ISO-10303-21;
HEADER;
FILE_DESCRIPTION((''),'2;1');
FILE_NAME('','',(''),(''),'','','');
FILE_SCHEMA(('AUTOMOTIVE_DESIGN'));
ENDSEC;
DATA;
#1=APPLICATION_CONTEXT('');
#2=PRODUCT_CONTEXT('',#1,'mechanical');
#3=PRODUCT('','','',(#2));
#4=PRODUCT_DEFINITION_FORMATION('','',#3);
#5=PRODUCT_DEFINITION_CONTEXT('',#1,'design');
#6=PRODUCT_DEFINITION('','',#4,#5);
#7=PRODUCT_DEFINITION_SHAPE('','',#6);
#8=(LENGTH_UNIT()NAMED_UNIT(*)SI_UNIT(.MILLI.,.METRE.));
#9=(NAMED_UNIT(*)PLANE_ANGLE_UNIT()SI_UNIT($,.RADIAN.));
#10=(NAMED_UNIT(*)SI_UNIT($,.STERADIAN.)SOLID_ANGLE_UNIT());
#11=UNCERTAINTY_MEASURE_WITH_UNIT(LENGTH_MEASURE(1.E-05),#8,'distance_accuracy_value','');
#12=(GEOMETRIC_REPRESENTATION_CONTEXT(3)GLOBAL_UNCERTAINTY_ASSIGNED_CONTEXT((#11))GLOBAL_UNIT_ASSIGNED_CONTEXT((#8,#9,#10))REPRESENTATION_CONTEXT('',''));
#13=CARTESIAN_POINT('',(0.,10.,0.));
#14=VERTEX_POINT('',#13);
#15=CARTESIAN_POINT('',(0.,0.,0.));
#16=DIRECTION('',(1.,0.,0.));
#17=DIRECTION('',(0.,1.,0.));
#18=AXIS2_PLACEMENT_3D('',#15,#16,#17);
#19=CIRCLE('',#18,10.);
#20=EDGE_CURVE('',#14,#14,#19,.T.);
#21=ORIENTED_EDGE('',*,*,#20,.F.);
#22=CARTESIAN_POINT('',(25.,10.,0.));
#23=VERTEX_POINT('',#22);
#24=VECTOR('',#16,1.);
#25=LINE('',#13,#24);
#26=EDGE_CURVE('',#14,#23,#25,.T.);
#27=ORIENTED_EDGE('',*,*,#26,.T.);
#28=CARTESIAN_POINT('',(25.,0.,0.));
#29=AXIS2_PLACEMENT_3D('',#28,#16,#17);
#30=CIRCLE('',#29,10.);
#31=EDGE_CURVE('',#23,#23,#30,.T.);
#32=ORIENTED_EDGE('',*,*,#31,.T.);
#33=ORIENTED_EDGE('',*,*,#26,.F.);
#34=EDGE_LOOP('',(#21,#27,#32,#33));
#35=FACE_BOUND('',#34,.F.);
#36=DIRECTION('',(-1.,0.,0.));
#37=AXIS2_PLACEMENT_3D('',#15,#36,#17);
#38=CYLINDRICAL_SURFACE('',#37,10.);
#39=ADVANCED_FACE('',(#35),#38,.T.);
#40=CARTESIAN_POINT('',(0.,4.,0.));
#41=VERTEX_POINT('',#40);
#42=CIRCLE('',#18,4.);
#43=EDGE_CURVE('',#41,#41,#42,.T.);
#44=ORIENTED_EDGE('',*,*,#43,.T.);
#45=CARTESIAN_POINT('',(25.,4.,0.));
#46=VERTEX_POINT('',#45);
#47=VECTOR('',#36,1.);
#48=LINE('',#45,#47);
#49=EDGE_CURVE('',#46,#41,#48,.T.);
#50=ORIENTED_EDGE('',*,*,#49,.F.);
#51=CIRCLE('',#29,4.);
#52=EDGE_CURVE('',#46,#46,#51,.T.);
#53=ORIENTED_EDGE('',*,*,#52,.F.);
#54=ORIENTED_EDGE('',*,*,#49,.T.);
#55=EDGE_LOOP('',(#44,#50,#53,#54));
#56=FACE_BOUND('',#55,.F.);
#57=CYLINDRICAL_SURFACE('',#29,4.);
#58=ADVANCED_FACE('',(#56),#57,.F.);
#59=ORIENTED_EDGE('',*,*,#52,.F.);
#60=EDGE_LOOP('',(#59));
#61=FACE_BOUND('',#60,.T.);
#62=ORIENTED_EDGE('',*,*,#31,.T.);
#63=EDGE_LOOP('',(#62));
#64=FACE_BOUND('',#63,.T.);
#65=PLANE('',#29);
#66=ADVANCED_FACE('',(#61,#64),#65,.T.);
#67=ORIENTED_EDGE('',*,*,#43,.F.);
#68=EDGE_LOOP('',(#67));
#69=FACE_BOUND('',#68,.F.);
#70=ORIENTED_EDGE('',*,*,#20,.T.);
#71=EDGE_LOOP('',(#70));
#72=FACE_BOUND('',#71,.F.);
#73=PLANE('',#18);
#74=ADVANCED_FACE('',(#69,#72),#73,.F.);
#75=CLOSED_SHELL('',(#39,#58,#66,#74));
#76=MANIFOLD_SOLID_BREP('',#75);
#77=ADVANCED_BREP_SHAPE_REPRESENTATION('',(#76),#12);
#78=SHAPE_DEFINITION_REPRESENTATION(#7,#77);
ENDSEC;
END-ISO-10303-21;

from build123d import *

# Parameters (mm, degrees)
F0_R     = 10
F1_DEPTH = 25
F4_R     = 4
F5_DEPTH = 25


with BuildPart() as f1:
    # F0 (on Right) → F1 (new body)
    with BuildSketch(Plane.YZ):
        Circle(F0_R)
    extrude(amount=F1_DEPTH)


with BuildPart() as f2_1:
    # F2: copy of F1
    add(f1.part)

    # F4 (on face) → F5 (cut, through all)
    with BuildSketch(Plane.YZ.offset(25)):
        Circle(F4_R)
    extrude(amount=-F5_DEPTH, mode=Mode.SUBTRACT)


solid = f2_1.part
